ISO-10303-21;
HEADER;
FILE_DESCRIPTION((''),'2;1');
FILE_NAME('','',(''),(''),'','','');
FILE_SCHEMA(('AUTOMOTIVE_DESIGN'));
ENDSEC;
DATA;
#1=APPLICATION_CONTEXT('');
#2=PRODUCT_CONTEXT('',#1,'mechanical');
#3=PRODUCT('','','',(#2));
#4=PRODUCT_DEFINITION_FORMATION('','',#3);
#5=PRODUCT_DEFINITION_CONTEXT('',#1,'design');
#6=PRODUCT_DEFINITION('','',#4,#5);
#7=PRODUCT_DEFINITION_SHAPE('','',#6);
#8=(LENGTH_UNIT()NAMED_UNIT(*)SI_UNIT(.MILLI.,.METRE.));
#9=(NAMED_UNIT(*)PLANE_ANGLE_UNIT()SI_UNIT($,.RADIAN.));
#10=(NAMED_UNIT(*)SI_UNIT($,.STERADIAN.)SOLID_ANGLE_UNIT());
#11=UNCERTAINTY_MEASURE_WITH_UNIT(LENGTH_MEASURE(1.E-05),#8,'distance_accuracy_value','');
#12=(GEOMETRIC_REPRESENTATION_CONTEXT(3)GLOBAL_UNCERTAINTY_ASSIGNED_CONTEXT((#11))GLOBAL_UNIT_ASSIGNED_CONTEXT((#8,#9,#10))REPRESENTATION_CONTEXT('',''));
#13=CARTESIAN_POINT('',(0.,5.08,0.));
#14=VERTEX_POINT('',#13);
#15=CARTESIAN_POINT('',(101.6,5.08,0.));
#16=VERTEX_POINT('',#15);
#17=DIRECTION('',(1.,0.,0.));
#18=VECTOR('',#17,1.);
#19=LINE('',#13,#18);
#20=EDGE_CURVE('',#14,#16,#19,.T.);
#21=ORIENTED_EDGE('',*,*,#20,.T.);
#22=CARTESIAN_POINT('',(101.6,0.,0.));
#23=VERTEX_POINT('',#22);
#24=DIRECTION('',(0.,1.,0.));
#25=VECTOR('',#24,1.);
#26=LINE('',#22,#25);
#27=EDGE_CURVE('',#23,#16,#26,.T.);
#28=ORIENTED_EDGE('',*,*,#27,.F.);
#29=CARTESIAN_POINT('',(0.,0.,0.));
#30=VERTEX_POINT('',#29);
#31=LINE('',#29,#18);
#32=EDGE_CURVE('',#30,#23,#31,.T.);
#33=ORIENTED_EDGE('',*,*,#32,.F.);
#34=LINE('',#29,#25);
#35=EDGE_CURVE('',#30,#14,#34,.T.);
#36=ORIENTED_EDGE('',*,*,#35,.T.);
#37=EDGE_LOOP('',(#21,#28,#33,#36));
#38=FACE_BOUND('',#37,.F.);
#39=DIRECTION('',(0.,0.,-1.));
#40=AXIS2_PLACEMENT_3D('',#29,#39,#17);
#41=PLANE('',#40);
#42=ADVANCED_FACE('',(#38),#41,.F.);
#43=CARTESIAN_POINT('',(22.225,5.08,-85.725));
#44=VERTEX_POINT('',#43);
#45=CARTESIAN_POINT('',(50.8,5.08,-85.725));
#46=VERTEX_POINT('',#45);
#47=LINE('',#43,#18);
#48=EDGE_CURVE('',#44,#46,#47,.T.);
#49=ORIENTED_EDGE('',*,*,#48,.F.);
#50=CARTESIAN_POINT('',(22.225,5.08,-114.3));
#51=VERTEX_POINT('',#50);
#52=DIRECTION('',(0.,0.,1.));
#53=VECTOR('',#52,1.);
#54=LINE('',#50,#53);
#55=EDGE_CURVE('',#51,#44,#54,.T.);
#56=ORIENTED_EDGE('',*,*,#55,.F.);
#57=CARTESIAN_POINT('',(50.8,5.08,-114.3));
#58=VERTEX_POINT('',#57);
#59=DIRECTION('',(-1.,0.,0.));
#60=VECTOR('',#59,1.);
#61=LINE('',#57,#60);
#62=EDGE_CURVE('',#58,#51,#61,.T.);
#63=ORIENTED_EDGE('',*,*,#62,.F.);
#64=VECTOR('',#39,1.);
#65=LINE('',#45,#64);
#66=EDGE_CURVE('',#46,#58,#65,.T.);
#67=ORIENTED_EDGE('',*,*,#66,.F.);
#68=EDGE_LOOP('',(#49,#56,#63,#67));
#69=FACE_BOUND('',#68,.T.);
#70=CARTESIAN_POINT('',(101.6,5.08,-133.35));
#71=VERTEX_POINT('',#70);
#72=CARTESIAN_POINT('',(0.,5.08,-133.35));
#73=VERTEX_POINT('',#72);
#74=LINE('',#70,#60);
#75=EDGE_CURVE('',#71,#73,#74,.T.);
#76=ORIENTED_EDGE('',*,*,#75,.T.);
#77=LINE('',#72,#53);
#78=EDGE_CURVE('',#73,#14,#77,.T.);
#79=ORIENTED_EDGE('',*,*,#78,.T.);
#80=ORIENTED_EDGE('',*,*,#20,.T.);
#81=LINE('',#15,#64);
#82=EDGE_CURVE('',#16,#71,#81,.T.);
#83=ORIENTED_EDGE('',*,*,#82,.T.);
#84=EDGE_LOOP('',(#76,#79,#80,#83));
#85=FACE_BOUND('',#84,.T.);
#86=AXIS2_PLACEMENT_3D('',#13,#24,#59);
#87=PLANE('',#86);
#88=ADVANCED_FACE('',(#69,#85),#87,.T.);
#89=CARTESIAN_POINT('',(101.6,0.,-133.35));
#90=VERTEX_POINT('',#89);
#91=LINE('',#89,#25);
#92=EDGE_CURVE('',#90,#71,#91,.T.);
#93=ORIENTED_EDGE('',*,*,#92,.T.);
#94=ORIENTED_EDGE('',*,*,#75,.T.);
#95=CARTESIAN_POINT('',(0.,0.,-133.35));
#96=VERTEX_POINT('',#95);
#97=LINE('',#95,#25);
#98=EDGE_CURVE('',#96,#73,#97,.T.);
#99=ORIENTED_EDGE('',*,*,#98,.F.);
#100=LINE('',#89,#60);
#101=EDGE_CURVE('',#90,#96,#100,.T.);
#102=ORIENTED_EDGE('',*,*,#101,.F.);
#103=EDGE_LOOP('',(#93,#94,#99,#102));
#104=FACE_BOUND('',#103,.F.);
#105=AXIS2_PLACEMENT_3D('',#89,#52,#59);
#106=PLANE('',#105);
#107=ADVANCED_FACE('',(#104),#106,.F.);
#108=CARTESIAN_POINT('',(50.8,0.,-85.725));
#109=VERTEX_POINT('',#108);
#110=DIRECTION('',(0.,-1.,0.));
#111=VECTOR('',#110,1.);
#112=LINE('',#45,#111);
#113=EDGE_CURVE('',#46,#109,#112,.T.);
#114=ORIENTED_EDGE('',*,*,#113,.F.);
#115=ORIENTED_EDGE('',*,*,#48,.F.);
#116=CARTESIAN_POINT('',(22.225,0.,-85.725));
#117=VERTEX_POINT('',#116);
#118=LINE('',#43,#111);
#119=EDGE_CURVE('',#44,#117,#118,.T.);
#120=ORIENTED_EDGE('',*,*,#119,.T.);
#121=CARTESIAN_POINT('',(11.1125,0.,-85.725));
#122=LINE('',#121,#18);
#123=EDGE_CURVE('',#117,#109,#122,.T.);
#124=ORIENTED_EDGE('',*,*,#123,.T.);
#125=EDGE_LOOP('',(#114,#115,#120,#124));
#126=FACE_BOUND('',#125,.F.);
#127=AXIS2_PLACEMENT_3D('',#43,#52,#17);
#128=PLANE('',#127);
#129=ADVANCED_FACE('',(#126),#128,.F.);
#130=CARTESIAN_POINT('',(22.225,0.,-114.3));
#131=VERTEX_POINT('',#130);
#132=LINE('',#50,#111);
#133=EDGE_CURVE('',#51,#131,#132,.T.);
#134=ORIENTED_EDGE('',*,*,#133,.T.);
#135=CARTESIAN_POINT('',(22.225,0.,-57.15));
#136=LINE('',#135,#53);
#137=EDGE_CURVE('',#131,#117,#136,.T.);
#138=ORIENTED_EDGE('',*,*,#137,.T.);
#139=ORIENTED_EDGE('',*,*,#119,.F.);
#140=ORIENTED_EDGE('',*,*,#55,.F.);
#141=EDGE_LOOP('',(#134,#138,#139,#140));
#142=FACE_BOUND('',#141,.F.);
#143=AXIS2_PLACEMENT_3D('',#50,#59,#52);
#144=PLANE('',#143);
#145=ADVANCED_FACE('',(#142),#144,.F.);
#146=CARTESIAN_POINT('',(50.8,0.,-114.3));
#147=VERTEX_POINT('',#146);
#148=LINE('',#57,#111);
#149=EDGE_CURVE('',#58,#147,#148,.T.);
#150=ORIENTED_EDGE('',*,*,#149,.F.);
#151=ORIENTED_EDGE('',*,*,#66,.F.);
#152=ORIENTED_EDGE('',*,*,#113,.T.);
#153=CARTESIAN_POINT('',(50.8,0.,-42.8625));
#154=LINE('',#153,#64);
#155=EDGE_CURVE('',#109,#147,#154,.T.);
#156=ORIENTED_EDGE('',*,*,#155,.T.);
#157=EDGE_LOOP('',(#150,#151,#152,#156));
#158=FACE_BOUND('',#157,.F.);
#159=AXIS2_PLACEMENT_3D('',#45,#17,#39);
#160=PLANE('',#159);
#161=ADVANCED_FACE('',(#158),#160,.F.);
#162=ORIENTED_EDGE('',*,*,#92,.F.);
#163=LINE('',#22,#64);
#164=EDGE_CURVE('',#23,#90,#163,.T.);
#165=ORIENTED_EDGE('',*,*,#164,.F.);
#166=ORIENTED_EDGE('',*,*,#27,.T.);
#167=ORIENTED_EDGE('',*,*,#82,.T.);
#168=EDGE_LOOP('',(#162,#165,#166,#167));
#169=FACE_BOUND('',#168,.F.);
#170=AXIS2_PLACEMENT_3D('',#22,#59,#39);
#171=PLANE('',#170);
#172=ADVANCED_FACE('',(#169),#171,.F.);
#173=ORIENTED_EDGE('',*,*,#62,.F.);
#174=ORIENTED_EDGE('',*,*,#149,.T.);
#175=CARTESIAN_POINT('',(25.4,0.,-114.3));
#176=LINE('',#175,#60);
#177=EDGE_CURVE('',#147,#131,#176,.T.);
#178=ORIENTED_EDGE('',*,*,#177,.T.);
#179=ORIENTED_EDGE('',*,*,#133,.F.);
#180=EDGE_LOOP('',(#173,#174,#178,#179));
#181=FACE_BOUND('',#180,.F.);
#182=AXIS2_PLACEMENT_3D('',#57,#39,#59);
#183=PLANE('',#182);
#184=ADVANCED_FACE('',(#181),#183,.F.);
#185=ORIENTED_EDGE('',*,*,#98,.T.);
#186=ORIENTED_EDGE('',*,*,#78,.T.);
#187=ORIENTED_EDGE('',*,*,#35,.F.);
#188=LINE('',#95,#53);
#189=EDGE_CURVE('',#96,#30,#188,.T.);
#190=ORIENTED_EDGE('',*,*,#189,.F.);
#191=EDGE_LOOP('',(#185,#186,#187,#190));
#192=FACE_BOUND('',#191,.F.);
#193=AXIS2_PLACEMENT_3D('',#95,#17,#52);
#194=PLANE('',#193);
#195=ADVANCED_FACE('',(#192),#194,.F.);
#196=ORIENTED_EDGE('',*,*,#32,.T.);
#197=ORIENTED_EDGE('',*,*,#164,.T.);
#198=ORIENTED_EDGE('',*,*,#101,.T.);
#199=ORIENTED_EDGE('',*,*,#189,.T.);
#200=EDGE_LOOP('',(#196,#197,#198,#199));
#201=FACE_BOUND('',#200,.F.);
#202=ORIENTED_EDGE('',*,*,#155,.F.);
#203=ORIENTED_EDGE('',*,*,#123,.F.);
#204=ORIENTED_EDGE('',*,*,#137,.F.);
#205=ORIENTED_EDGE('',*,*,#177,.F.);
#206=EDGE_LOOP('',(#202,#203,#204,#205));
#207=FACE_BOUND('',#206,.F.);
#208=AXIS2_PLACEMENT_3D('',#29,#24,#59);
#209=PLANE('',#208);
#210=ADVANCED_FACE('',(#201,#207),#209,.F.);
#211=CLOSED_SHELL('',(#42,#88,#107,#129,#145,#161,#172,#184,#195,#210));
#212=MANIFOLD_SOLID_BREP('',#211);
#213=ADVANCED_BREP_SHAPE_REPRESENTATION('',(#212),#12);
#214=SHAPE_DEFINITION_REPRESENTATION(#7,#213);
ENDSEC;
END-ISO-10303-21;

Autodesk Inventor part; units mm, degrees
ref_plane "YZ Plane" through (0, 0, 0) normal (1, 0, 0) x (0, 1, 0)
ref_plane "XZ Plane" through (0, 0, 0) normal (0, 1, 0) x (-1, 0, 0)
ref_plane "XY Plane" through (0, 0, 0) normal (0, 0, 1) x (1, 0, 0)
sketch "Sketch1" plane through (0, 0, 0) normal (0, 1, 0) x (-1, 0, 0)
  line L0 (0, 0) -> (-101.6, 0)
  line L1 (-101.6, 0) -> (-101.6, -133.35)
  line L2 (-101.6, -133.35) -> (0, -133.35)
  line L3 (0, -133.35) -> (0, 0)
  dimension "d0" = 101.6
  dimension "d1" = 133.35
extrude "Extrusion1" add sketch "Sketch1" along normal blind 5.08
sketch "Sketch2" plane through (0, 5.08, 0) normal (0, 1, 0) x (1, 0, 0)
  line L0 (101.6, 133.35) -> (0, 133.35) projected
  line L1 (50.8, 133.35) -> (50.8, 114.3)
  line L2 (50.8, 114.3) -> (22.225, 114.3)
  line L3 (22.225, 114.3) -> (22.225, 85.725)
  line L4 (22.225, 85.725) -> (50.8, 85.725)
  line L5 (50.8, 85.725) -> (50.8, 114.3)
  point P0 (0, 0)
  dimension "d4" = 19.05
  dimension "d5" = 28.575
  dimension "d6" = 28.575
extrude "Extrusion2" cut sketch "Sketch2" against normal blind 25.4
properties part number "HalfofTop"
